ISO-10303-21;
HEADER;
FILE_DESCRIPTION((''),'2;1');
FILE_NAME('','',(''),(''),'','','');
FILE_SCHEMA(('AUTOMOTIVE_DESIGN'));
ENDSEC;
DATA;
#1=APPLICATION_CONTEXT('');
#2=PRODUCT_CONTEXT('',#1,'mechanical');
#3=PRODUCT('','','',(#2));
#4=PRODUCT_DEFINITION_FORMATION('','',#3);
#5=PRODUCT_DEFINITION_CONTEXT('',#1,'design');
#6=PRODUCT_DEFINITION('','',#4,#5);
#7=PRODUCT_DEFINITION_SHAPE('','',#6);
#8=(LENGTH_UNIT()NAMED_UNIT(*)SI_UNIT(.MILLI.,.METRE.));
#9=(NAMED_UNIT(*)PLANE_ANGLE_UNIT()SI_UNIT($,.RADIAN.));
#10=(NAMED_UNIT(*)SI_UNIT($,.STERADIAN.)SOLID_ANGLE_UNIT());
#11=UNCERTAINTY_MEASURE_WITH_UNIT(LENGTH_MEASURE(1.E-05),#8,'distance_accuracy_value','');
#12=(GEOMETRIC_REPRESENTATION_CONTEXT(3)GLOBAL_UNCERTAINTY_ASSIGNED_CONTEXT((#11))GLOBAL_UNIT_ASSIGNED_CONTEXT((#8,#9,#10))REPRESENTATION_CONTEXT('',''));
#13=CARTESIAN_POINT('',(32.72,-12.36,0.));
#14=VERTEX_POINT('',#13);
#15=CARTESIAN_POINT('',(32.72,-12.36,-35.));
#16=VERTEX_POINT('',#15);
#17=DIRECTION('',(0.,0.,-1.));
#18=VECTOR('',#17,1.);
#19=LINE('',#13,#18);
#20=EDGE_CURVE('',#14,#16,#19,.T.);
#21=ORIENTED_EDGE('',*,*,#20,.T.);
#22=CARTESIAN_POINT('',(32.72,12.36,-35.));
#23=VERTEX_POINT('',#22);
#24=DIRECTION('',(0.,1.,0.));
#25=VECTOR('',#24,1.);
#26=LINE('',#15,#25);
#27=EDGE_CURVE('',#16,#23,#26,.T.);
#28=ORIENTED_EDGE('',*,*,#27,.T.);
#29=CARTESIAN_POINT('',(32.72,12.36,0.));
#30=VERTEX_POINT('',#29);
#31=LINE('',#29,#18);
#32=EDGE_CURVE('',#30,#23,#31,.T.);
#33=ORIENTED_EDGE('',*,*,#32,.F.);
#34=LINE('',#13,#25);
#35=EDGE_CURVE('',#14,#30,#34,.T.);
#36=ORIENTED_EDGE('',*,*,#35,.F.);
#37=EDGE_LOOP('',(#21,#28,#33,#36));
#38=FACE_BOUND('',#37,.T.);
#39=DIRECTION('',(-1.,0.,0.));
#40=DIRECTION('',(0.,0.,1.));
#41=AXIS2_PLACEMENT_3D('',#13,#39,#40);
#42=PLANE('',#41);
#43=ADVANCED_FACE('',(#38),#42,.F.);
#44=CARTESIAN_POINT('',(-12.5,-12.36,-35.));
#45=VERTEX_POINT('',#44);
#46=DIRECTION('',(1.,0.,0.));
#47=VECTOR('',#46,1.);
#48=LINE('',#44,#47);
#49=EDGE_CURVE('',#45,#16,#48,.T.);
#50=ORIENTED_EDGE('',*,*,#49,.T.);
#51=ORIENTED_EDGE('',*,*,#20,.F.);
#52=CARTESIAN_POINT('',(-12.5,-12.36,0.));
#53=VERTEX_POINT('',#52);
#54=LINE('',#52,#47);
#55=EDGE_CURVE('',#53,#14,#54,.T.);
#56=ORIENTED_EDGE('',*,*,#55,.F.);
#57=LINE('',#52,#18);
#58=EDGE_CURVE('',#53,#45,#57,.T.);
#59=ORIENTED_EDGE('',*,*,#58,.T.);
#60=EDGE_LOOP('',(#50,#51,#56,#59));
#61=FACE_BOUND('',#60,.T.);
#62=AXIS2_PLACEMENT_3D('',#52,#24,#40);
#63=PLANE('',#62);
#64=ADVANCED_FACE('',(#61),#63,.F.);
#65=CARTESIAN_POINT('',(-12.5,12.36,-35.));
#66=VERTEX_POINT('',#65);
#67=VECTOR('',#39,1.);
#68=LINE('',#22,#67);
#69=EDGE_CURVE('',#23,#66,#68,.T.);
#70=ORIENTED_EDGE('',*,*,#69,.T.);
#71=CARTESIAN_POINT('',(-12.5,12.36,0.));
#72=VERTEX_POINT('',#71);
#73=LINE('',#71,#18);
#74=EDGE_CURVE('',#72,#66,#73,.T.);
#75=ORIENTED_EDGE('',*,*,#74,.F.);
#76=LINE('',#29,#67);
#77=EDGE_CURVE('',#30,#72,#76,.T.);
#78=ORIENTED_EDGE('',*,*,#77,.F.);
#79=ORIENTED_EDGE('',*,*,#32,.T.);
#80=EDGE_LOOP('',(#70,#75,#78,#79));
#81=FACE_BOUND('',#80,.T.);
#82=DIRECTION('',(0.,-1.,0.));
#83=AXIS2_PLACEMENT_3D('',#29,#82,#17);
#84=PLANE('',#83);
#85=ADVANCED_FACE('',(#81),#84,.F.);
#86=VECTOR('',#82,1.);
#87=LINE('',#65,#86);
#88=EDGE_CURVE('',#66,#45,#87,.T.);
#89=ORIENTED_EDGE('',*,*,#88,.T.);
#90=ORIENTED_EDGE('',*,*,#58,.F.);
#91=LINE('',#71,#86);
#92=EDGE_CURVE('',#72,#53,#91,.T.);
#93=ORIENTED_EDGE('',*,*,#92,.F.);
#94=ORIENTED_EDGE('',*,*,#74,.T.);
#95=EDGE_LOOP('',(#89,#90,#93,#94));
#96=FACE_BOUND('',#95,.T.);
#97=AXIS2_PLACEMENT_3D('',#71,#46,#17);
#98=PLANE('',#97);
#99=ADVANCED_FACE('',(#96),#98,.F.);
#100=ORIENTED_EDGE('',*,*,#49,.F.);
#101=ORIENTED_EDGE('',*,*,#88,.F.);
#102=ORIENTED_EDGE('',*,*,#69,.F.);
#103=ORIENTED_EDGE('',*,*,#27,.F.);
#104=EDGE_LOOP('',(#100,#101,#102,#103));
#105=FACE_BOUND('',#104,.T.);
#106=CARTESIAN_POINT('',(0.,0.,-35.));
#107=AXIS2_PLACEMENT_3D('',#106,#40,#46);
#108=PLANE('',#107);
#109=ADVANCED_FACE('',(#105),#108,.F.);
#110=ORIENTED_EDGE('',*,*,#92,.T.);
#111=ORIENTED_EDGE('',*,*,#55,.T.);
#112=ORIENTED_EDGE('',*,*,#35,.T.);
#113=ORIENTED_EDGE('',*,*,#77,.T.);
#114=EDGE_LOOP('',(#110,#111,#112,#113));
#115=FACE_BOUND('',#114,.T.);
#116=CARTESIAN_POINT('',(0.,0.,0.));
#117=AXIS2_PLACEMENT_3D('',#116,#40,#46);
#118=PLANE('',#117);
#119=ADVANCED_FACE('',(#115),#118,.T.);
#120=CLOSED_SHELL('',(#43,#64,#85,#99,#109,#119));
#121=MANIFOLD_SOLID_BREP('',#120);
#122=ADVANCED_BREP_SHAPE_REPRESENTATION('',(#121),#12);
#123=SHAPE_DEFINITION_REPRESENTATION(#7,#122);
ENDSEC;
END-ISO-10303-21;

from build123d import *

# Parameters (mm, degrees)
SK_BODY_W  = 45.22
SK_BODY_H  = 24.72
BODY_DEPTH = 35


with BuildPart() as part:
    # SK_Body → Body (new body)
    with BuildSketch(Plane.XY.offset(-35)):
        with Locations((10.11, 0)):
            Rectangle(SK_BODY_W, SK_BODY_H)
    extrude(amount=BODY_DEPTH)


solid = part.part
